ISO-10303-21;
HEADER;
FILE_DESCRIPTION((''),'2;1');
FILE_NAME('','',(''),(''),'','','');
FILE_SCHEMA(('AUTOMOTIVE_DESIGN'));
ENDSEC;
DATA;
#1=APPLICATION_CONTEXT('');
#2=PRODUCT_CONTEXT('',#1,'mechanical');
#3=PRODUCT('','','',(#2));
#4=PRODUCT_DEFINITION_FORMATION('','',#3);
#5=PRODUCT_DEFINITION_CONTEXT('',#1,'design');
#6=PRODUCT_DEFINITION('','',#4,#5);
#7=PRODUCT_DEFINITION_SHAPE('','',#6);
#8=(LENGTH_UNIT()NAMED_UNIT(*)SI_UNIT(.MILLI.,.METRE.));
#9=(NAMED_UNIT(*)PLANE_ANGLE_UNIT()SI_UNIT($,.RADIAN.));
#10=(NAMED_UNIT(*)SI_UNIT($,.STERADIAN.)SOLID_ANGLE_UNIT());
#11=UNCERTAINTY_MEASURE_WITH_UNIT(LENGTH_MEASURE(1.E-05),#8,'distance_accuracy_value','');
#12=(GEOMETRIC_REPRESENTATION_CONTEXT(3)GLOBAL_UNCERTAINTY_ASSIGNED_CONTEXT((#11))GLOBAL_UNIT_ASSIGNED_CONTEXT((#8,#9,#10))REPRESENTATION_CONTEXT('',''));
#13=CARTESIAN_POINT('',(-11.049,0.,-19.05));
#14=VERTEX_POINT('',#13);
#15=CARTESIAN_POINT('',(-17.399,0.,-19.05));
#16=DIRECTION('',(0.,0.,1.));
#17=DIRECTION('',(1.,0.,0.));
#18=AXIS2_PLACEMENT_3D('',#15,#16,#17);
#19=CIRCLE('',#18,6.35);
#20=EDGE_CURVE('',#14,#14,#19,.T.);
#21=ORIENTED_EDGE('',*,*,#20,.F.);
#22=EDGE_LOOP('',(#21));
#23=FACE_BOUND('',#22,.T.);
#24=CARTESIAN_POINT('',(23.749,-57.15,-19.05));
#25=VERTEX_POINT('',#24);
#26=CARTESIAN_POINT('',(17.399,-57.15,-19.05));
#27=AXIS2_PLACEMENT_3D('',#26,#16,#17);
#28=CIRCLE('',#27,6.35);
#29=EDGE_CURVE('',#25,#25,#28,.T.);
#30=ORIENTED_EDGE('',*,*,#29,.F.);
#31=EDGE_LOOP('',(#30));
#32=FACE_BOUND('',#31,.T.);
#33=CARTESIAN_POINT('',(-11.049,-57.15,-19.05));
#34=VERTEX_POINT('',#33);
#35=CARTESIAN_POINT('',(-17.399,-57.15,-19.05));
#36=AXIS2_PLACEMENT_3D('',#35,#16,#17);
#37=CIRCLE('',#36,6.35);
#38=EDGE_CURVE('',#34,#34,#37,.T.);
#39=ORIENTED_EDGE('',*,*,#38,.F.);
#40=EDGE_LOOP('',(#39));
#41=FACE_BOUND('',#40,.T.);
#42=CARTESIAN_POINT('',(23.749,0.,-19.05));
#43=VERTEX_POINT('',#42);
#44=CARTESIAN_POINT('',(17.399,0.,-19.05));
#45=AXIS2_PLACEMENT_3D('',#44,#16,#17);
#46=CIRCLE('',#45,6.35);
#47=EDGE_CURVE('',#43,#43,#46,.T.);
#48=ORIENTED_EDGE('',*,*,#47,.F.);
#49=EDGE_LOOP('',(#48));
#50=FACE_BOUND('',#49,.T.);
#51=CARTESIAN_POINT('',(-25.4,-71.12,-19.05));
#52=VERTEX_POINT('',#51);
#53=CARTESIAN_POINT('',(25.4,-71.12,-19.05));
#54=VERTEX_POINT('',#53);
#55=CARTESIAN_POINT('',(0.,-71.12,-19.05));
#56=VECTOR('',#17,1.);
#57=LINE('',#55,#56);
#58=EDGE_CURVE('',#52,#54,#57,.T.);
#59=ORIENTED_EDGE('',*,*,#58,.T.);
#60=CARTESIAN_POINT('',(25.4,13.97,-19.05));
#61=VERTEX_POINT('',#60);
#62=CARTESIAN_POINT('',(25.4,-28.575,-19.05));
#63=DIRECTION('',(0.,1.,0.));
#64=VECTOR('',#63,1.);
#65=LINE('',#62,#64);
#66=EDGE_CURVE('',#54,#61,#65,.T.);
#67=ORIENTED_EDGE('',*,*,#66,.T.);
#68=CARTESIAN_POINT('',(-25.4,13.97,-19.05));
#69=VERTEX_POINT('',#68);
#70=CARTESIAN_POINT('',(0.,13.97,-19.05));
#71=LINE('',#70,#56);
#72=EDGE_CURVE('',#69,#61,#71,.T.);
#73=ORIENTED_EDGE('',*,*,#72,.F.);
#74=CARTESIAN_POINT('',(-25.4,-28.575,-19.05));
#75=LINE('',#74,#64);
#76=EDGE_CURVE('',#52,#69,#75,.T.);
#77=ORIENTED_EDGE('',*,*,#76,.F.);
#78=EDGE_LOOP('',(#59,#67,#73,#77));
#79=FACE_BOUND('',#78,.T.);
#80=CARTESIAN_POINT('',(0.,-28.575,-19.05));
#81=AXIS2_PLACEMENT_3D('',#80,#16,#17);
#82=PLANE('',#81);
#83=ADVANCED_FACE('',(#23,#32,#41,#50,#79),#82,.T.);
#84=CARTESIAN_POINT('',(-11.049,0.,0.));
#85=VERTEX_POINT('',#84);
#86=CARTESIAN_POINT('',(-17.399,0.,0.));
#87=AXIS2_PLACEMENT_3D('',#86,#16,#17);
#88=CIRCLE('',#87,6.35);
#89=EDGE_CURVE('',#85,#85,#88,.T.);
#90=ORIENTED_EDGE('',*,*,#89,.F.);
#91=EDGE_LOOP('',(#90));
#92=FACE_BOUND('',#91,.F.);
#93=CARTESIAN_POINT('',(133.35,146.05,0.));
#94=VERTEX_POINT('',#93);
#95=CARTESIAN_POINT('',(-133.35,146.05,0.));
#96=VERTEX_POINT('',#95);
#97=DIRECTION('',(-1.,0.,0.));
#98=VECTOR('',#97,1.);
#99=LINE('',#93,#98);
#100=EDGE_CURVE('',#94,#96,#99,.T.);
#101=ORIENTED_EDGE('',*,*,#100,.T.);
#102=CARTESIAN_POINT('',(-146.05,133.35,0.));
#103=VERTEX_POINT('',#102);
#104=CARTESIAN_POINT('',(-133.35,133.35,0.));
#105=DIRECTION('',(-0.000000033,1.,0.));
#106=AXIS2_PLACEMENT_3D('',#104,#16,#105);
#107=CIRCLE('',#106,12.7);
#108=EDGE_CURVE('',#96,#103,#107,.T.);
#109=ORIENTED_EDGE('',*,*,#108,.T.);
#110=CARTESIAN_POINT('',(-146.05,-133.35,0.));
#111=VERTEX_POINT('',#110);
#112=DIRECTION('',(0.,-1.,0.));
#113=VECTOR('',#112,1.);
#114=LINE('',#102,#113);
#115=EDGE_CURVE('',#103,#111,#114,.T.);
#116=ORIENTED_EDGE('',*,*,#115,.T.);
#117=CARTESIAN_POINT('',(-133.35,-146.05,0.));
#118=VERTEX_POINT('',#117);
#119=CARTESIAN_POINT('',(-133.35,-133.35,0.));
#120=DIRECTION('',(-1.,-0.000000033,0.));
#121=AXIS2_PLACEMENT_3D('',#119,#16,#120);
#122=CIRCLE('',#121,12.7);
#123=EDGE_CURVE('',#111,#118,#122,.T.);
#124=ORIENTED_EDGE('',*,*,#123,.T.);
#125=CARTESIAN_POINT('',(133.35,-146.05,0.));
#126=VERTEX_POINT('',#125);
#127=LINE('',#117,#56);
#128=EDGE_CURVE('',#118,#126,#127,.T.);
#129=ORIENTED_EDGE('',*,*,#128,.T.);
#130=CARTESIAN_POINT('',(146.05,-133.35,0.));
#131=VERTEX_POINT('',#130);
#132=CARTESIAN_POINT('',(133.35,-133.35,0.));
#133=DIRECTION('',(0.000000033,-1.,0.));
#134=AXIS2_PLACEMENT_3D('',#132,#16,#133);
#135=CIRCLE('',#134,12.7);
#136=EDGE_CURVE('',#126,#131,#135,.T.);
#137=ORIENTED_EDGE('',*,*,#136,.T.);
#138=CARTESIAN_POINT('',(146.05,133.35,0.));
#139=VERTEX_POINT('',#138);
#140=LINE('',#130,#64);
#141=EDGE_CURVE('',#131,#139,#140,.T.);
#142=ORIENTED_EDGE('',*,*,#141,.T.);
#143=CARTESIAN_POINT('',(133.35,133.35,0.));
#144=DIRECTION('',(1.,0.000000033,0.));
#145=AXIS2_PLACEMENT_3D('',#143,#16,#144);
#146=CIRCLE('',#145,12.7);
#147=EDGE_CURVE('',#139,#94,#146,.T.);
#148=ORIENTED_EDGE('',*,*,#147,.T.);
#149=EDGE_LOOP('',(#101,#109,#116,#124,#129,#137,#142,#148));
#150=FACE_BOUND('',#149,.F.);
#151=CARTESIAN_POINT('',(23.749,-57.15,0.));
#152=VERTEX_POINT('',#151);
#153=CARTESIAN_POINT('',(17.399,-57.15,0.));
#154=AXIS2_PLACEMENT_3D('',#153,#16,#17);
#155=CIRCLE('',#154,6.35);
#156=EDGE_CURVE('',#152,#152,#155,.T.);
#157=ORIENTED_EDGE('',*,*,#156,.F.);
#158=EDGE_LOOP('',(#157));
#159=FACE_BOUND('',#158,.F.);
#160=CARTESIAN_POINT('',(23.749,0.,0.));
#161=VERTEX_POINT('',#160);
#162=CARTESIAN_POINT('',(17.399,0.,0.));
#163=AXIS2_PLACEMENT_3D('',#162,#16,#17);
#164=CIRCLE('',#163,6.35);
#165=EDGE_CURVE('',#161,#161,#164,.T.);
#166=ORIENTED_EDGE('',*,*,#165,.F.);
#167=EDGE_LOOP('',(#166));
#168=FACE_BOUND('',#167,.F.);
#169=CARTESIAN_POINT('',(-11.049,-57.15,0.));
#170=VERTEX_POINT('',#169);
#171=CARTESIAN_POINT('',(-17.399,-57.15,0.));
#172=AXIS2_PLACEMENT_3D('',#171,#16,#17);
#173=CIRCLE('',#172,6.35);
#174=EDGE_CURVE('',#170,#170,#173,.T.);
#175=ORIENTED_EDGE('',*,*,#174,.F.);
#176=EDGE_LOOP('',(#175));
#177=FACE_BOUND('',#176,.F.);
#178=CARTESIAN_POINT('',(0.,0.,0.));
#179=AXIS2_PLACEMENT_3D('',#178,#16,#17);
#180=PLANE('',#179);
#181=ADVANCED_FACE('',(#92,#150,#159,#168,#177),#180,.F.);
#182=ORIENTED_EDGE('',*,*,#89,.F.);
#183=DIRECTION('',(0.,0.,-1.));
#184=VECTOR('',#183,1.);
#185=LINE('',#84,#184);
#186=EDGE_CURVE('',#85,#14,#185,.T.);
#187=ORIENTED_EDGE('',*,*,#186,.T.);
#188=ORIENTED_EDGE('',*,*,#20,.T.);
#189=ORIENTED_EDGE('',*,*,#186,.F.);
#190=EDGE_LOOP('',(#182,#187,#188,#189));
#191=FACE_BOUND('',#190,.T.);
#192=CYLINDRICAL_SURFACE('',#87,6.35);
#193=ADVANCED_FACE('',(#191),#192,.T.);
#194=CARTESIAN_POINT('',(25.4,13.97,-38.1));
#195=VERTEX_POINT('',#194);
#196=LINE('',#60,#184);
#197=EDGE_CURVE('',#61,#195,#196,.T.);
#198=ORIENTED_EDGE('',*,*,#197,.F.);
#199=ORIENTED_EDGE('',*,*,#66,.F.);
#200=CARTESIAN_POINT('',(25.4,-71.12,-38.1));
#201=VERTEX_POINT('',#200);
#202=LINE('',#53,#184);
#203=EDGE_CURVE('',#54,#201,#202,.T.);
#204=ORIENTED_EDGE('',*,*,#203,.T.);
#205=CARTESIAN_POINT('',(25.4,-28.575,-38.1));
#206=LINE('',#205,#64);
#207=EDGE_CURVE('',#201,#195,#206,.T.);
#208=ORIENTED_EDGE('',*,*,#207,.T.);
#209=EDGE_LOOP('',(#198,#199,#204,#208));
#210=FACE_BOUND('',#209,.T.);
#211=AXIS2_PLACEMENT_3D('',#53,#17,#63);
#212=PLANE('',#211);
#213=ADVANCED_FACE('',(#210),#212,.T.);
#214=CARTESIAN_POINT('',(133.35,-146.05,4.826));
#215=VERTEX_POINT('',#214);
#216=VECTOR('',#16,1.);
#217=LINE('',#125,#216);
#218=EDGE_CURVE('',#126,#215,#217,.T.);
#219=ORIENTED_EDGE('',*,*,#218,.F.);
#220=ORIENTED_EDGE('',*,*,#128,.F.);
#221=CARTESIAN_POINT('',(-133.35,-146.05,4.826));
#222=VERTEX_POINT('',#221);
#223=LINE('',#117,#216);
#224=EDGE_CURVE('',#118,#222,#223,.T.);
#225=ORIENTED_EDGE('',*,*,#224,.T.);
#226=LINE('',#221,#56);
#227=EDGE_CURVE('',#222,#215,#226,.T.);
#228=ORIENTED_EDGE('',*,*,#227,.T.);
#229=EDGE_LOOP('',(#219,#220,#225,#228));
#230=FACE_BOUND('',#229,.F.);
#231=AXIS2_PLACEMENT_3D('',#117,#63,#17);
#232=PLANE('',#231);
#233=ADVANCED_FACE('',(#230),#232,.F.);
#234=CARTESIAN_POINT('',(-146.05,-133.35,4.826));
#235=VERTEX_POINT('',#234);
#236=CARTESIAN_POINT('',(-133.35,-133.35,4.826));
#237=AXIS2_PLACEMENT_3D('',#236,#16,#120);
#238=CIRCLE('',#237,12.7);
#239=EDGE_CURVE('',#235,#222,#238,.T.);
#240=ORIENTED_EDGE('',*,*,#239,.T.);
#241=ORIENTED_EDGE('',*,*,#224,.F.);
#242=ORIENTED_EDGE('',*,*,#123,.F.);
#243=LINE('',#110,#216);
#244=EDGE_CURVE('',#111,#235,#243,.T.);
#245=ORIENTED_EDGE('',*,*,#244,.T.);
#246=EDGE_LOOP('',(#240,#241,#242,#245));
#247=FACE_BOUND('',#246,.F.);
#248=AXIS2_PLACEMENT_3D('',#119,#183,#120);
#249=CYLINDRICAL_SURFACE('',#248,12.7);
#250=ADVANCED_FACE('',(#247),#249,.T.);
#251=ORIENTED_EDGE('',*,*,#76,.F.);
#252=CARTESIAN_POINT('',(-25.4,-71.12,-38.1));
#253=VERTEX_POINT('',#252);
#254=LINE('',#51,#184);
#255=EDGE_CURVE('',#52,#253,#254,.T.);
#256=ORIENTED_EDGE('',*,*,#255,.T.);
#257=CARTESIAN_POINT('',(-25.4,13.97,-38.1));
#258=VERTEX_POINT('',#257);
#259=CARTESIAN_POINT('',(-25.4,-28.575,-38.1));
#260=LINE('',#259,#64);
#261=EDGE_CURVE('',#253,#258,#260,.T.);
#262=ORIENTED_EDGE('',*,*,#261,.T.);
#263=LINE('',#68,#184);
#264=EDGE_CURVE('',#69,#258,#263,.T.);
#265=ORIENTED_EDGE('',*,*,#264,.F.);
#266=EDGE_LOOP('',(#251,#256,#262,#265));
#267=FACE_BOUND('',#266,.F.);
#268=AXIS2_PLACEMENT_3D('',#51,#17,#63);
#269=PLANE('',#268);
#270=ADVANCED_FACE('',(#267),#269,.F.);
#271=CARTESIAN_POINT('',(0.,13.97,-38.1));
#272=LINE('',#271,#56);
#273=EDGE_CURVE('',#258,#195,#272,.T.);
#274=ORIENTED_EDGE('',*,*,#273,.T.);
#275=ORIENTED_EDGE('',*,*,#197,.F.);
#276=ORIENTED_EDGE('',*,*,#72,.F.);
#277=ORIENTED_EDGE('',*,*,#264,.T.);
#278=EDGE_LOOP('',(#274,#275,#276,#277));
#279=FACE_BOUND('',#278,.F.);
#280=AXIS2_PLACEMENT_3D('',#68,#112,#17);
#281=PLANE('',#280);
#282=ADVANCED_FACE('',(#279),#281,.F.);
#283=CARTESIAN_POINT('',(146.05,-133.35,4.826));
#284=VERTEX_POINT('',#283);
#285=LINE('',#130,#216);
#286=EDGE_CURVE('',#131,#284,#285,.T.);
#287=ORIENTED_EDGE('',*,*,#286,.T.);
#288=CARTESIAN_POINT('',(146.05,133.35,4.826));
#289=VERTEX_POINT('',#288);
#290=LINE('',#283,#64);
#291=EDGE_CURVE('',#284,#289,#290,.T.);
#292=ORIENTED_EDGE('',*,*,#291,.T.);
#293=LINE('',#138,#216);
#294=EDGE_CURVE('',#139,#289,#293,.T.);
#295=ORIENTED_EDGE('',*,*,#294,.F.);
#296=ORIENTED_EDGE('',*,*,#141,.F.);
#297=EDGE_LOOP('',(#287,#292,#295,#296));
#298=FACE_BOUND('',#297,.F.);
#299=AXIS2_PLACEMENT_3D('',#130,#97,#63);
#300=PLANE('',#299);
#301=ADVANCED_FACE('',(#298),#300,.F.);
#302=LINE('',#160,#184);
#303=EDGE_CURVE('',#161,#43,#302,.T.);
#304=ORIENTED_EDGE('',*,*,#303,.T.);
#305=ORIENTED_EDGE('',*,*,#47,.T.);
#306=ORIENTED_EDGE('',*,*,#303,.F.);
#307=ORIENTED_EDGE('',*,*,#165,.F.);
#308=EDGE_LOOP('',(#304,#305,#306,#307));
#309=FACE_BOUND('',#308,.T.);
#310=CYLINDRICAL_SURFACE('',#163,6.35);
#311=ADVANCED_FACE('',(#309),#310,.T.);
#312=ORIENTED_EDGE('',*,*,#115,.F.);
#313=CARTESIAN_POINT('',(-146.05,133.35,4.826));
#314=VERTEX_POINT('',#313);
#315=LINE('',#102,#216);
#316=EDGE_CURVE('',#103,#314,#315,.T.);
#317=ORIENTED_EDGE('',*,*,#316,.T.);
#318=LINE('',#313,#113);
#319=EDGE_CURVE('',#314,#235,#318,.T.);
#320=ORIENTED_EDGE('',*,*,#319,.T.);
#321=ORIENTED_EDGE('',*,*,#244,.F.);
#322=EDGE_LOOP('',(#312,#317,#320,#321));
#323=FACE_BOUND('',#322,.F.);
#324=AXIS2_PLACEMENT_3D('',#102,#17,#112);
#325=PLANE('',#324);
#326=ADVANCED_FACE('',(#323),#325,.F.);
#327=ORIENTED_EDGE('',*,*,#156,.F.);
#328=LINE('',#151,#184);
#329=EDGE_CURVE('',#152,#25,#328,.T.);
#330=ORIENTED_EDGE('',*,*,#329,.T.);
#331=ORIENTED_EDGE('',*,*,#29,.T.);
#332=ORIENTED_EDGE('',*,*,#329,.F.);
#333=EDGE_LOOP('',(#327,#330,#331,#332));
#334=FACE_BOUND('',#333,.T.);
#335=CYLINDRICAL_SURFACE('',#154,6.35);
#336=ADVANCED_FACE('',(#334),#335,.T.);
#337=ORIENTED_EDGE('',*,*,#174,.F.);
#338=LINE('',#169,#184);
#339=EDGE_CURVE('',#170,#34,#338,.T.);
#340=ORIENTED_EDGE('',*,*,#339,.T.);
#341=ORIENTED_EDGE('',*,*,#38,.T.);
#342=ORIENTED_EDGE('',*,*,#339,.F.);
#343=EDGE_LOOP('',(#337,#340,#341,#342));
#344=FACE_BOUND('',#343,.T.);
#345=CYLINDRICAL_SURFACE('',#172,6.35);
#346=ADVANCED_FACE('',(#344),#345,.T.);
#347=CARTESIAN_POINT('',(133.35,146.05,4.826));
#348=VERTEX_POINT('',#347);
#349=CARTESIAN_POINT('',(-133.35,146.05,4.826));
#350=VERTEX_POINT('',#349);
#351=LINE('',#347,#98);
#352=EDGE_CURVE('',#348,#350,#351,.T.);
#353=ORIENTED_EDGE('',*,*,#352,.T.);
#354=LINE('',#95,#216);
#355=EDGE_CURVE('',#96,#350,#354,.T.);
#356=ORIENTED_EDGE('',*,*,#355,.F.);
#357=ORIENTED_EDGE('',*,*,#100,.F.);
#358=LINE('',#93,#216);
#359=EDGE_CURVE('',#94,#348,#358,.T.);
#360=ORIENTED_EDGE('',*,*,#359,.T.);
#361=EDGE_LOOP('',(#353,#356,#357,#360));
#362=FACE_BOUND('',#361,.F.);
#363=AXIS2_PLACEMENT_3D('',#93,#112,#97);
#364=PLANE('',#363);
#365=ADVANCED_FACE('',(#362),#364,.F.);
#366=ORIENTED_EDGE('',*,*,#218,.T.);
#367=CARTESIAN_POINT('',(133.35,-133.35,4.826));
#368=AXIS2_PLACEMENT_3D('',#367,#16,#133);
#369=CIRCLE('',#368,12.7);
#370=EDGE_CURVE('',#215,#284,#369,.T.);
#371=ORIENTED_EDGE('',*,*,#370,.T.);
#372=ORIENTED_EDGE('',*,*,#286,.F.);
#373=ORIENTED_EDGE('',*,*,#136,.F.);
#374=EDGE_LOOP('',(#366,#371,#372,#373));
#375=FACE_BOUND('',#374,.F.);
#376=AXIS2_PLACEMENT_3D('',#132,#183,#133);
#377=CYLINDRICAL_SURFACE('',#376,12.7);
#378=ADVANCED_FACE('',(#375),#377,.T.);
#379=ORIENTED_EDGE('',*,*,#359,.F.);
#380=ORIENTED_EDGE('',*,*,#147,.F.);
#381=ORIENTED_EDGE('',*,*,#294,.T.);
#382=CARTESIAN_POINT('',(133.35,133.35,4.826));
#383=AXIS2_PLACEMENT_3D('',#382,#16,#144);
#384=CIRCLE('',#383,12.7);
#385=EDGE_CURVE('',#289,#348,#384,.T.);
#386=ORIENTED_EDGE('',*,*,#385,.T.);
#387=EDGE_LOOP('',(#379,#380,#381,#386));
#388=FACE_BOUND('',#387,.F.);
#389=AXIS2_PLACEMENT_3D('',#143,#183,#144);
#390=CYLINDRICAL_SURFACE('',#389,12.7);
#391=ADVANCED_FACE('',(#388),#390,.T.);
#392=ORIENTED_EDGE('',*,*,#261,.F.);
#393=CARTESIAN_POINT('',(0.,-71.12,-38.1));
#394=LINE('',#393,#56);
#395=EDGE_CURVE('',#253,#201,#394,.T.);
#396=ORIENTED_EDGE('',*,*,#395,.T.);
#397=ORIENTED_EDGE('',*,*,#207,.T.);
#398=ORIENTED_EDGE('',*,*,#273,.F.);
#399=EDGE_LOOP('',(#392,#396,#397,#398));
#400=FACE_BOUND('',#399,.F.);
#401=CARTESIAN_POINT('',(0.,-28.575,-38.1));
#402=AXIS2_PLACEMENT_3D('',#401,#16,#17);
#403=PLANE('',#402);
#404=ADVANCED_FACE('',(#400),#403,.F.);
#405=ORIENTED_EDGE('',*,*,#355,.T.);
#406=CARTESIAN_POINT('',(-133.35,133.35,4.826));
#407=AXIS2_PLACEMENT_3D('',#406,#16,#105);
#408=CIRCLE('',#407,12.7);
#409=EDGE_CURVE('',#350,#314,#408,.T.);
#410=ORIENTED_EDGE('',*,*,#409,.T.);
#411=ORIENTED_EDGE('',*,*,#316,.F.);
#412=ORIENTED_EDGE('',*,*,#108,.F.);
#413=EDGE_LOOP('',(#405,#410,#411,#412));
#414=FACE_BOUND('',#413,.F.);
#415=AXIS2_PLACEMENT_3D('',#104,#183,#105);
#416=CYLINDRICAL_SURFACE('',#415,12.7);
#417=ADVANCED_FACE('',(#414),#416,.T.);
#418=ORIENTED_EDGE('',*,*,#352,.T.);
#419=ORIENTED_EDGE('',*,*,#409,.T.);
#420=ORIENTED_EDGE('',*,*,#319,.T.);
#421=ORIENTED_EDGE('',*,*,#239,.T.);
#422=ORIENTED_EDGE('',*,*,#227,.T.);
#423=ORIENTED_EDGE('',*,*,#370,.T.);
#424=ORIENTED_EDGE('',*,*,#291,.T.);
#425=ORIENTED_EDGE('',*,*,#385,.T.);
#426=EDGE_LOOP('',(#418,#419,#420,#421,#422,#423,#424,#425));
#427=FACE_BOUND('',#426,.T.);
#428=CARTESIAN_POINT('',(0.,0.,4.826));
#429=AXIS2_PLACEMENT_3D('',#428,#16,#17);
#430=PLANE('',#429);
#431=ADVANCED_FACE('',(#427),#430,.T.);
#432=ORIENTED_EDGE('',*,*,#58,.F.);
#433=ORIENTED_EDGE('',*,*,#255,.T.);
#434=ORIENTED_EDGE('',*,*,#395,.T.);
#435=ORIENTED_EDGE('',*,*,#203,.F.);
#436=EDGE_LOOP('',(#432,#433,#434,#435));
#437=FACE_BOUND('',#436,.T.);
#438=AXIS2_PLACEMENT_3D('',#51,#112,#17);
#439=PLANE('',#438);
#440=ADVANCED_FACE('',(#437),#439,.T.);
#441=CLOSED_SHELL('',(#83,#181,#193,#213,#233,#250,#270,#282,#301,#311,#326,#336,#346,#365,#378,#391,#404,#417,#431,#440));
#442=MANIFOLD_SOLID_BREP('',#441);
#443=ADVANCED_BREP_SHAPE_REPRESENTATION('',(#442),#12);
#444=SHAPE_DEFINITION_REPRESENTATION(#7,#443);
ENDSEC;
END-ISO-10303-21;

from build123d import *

# Parameters (mm, degrees)
F1_DEPTH = 4.826
F2_R     = 6.35
F3_DEPTH = 19.05
F5_W     = 50.8
F5_H     = 85.09
F6_DEPTH = 19.05


with BuildPart() as f1:
    # F0 (on Top) → F1 (new body)
    with BuildSketch(Plane.XY):
        with BuildLine():
            ThreePointArc((146.05, 133.35), (142.330256, 142.330256), (133.35, 146.05))
            Line((133.35, 146.05), (-133.35, 146.05))
            ThreePointArc((-133.35, 146.05), (-142.330256, 142.330256), (-146.05, 133.35))
            Line((-146.05, 133.35), (-146.05, -133.35))
            ThreePointArc((-146.05, -133.35), (-142.330256, -142.330256), (-133.35, -146.05))
            Line((-133.35, -146.05), (133.35, -146.05))
            ThreePointArc((133.35, -146.05), (142.330256, -142.330256), (146.05, -133.35))
            Line((146.05, -133.35), (146.05, 133.35))
        make_face()
    extrude(amount=F1_DEPTH)

    # F2 (on Top) → F3 (join)
    with BuildSketch(Plane.XY):
        with Locations((-17.399, -57.15)):
            Circle(F2_R)
        with Locations((17.399, -57.15)):
            Circle(F2_R)
        with Locations((17.399, 0)):
            Circle(F2_R)
        with Locations((-17.399, 0)):
            Circle(F2_R)
    extrude(amount=-F3_DEPTH)

    # F5 (on offset) → F6 (join)
    with BuildSketch(Plane.XY.offset(-19.05)):
        with Locations((0, -28.575)):
            Rectangle(F5_W, F5_H)
    extrude(amount=-F6_DEPTH)


solid = f1.part
